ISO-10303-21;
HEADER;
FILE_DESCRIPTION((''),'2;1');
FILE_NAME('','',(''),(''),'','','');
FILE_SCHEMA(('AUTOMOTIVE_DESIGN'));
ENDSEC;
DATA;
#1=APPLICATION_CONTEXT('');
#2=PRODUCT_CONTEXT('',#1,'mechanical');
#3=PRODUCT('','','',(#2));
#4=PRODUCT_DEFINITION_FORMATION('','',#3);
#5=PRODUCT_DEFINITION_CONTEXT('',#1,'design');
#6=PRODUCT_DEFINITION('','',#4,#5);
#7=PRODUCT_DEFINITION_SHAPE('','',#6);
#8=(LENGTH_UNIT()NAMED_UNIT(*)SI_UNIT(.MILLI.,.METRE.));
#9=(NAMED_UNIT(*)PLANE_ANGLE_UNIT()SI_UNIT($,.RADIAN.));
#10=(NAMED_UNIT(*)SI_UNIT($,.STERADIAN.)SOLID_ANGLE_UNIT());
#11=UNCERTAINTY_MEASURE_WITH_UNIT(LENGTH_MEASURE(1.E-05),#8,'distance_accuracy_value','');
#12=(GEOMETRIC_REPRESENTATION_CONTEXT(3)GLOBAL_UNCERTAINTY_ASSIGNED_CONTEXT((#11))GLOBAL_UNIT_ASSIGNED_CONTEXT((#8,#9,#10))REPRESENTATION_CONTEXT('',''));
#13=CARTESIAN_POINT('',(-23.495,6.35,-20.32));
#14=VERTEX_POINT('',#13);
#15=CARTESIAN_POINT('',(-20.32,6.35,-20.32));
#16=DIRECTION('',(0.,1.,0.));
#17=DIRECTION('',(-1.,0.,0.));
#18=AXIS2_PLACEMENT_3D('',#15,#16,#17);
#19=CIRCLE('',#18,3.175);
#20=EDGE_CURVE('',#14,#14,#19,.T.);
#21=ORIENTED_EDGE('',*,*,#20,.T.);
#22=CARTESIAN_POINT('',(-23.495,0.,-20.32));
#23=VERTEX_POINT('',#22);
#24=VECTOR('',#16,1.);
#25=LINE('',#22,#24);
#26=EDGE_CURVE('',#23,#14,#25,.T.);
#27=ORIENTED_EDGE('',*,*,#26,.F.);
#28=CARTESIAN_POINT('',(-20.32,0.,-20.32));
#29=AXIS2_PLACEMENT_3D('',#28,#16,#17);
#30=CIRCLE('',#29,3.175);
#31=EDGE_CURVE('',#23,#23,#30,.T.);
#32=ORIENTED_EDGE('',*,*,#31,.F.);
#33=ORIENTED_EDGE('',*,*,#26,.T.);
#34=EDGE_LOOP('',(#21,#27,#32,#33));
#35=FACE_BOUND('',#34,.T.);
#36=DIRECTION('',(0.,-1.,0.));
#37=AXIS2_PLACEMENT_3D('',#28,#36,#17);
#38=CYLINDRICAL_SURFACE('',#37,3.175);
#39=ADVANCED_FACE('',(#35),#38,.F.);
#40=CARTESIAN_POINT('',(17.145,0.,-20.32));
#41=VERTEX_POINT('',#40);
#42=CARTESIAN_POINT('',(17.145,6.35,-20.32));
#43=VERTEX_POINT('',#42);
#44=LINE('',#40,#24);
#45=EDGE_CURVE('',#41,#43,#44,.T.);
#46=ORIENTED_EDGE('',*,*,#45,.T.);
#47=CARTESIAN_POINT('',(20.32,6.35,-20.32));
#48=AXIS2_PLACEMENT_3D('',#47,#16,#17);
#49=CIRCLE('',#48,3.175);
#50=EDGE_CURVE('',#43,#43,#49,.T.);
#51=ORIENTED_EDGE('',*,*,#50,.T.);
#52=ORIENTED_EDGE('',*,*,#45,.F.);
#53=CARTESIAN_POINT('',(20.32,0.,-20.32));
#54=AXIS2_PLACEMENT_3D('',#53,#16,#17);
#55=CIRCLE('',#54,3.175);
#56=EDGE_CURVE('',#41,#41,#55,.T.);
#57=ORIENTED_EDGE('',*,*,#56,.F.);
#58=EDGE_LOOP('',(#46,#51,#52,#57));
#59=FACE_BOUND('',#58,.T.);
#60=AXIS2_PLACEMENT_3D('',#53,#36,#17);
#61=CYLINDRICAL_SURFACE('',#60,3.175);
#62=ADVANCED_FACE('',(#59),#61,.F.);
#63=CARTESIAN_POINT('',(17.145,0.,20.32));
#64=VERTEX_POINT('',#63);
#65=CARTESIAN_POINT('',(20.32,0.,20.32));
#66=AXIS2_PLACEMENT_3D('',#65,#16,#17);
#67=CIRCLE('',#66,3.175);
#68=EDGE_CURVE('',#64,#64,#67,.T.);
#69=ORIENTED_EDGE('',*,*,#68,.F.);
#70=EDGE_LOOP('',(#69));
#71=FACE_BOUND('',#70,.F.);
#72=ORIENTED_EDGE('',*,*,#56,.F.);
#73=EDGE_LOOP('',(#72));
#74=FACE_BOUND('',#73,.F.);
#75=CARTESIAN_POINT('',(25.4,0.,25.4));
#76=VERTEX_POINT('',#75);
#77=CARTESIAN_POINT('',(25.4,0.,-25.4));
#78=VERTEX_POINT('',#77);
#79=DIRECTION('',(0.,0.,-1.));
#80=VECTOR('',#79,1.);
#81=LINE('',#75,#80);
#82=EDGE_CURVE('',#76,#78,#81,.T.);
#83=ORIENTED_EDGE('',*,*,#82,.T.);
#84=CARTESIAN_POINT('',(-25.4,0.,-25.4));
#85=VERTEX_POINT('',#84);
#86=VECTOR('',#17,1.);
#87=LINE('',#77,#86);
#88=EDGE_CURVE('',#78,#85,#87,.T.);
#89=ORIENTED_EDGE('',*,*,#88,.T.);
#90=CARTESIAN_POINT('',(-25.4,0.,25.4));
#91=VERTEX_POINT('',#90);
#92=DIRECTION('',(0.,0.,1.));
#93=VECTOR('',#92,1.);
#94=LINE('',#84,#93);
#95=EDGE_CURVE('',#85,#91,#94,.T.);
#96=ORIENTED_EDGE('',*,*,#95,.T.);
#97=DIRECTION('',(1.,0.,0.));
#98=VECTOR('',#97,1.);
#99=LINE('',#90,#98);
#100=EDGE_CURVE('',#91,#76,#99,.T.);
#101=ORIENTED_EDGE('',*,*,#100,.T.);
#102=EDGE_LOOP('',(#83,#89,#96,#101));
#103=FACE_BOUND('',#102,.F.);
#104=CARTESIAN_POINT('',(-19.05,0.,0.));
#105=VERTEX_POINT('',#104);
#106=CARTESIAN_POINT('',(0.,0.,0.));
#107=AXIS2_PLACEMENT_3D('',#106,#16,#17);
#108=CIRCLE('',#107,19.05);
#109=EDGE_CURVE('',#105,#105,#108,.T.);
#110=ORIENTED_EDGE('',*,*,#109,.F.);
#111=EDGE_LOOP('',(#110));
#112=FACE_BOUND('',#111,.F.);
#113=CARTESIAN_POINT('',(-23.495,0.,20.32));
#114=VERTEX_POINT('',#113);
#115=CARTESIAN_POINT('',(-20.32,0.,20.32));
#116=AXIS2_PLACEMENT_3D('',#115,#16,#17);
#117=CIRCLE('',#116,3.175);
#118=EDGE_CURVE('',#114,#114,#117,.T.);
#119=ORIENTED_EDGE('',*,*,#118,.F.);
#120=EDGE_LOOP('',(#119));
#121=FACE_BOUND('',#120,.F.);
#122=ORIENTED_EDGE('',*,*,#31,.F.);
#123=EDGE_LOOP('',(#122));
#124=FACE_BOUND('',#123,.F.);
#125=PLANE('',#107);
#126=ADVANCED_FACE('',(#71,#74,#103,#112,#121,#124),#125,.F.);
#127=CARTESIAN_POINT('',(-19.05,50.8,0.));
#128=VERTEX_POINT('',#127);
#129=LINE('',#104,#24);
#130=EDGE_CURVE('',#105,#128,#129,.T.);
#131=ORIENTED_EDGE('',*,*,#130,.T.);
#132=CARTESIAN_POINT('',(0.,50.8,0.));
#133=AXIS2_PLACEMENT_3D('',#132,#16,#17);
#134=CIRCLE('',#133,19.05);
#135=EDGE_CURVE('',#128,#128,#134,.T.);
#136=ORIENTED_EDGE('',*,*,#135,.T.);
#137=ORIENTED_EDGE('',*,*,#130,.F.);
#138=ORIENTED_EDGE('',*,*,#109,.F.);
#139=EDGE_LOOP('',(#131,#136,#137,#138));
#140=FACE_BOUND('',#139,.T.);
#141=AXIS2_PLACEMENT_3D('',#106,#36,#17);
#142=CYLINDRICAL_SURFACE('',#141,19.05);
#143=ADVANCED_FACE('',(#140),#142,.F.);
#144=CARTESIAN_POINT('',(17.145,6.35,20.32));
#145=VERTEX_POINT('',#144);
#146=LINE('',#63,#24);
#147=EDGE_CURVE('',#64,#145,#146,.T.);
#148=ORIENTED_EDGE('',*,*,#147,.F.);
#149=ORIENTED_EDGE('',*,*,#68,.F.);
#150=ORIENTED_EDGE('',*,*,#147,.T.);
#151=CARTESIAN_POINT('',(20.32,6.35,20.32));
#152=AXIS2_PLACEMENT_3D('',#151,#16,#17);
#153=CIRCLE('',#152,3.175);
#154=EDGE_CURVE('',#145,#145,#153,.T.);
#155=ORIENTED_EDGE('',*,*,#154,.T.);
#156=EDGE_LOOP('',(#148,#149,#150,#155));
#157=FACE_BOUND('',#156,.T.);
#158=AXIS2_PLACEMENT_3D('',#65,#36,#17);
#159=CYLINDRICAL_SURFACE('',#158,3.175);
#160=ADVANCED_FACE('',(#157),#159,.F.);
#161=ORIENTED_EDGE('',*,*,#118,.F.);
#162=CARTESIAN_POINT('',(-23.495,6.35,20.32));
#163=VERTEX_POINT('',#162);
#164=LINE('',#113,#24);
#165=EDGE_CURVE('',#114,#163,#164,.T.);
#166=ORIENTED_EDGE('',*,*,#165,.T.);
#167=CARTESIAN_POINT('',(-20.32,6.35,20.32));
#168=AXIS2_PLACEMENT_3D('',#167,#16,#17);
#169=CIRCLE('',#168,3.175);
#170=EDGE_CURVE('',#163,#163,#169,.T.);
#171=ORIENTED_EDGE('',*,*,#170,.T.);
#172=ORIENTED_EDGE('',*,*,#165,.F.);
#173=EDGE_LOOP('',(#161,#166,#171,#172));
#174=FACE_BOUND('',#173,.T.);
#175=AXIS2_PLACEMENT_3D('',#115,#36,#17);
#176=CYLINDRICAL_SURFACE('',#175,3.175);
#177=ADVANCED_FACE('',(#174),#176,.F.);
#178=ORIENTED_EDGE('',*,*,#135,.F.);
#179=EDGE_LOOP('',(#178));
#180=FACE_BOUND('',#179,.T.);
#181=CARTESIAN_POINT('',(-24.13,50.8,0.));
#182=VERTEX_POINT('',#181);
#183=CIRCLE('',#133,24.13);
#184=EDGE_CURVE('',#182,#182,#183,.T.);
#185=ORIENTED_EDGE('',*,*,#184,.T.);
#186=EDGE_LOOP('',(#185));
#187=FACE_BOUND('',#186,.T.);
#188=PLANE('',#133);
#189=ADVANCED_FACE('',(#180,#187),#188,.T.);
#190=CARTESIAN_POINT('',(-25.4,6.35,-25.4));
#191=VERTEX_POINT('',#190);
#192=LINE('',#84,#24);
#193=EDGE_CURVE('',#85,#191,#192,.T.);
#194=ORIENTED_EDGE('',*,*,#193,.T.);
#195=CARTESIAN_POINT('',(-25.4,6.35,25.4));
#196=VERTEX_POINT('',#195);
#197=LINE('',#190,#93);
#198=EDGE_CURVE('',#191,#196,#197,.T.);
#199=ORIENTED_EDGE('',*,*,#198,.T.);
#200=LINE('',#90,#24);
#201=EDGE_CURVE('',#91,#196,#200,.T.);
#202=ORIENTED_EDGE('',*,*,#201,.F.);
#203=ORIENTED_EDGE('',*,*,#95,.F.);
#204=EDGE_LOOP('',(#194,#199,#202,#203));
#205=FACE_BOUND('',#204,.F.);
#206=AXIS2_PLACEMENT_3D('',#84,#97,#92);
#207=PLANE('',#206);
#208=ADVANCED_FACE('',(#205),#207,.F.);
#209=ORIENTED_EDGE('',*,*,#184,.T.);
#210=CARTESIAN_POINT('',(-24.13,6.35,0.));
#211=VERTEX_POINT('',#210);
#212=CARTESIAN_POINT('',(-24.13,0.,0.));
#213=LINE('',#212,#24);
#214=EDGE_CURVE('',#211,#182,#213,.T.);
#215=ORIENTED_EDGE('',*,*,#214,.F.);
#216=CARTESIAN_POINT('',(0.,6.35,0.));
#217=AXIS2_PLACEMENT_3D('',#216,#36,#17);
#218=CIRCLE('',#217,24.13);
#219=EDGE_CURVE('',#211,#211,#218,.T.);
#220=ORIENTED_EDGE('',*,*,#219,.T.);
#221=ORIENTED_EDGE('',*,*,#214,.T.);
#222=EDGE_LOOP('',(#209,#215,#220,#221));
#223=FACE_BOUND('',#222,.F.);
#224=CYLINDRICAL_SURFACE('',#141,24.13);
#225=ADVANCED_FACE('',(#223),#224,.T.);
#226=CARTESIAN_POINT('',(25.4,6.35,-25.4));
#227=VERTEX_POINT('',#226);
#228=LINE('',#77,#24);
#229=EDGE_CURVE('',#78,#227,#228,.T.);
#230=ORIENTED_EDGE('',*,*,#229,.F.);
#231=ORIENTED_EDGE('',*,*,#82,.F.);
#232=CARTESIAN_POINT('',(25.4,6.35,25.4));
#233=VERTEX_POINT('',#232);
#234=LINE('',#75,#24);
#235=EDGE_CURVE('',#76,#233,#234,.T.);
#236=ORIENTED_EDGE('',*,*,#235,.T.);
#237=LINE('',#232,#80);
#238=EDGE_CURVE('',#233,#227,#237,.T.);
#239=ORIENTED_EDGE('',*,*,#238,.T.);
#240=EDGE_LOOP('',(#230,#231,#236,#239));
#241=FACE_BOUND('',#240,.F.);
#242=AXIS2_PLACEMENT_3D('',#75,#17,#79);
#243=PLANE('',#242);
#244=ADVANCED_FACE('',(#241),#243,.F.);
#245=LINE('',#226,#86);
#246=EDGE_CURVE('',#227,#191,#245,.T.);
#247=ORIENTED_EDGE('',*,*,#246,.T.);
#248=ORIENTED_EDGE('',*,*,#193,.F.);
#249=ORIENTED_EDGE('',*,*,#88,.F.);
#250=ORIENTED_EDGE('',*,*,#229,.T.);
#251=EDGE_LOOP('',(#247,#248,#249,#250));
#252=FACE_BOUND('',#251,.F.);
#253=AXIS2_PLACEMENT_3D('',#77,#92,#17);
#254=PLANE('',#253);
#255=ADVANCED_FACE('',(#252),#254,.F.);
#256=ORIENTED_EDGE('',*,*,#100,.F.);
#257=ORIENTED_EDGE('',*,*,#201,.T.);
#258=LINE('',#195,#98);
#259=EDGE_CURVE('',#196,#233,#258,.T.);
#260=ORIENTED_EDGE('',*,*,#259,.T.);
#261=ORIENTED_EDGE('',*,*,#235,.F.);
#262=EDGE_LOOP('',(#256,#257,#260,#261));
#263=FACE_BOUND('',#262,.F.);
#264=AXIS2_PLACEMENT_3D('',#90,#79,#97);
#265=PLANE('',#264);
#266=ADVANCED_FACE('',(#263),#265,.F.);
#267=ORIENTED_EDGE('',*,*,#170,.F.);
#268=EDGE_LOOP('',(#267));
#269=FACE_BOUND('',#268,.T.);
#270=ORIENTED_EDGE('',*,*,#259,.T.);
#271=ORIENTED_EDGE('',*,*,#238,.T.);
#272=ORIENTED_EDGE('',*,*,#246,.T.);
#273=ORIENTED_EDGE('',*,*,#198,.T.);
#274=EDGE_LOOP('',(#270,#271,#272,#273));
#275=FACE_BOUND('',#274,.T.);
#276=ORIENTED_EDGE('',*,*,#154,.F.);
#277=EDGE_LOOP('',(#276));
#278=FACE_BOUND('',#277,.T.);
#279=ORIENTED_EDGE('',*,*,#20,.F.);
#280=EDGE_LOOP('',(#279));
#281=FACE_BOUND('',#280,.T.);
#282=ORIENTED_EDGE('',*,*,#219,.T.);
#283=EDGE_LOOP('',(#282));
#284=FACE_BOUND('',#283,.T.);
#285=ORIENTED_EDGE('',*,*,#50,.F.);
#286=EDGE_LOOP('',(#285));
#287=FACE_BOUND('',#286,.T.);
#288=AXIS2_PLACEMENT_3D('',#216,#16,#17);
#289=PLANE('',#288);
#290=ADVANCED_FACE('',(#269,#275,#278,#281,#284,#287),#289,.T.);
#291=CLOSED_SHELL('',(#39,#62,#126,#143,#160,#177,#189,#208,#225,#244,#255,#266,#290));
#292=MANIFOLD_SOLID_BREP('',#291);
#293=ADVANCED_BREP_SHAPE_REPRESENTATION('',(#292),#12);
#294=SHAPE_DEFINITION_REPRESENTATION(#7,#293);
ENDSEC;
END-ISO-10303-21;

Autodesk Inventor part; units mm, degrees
ref_plane "YZ Plane" through (0, 0, 0) normal (1, 0, 0) x (0, 1, 0)
ref_plane "XZ Plane" through (0, 0, 0) normal (0, 1, 0) x (-1, 0, 0)
ref_plane "XY Plane" through (0, 0, 0) normal (0, 0, 1) x (1, 0, 0)
sketch "Sketch1" plane through (0, 0, 0) normal (0, 1, 0) x (-1, 0, 0)
  circle A0 centre (0, 0) radius 19.05
  circle A1 centre (0, 0) radius 24.13
  line L0 (25.4, 25.4) -> (-25.4, 25.4)
  line L1 (-25.4, 25.4) -> (-25.4, -25.4)
  line L2 (-25.4, -25.4) -> (25.4, -25.4)
  line L3 (25.4, -25.4) -> (25.4, 25.4)
  line L4 (-25.4, -25.4) -> (-12.1092, -25.4) construction
  circle A2 centre (-20.32, -20.32) radius 3.175
  circle A3 centre (-20.32, 20.32) radius 3.175
  circle A4 centre (20.32, -20.32) radius 3.175
  circle A5 centre (20.32, 20.32) radius 3.175
  dimension "d10" = 50.8
  dimension "d11" = 50.8
  dimension "d20" = 6.35
extrude "Extrusion1" add sketch "Sketch1" along normal blind 50.8 contours A1
extrude "Extrusion3" add sketch "Sketch1" along normal blind 6.35 contours A1 | L3 L2 L1 L0 | A2 | A3 | A4 | A5
extrude "Extrusion5" cut sketch "Sketch1" along normal blind 6.35 contours A2 | A3 | A4 | A5
properties part number "Cylinders"
